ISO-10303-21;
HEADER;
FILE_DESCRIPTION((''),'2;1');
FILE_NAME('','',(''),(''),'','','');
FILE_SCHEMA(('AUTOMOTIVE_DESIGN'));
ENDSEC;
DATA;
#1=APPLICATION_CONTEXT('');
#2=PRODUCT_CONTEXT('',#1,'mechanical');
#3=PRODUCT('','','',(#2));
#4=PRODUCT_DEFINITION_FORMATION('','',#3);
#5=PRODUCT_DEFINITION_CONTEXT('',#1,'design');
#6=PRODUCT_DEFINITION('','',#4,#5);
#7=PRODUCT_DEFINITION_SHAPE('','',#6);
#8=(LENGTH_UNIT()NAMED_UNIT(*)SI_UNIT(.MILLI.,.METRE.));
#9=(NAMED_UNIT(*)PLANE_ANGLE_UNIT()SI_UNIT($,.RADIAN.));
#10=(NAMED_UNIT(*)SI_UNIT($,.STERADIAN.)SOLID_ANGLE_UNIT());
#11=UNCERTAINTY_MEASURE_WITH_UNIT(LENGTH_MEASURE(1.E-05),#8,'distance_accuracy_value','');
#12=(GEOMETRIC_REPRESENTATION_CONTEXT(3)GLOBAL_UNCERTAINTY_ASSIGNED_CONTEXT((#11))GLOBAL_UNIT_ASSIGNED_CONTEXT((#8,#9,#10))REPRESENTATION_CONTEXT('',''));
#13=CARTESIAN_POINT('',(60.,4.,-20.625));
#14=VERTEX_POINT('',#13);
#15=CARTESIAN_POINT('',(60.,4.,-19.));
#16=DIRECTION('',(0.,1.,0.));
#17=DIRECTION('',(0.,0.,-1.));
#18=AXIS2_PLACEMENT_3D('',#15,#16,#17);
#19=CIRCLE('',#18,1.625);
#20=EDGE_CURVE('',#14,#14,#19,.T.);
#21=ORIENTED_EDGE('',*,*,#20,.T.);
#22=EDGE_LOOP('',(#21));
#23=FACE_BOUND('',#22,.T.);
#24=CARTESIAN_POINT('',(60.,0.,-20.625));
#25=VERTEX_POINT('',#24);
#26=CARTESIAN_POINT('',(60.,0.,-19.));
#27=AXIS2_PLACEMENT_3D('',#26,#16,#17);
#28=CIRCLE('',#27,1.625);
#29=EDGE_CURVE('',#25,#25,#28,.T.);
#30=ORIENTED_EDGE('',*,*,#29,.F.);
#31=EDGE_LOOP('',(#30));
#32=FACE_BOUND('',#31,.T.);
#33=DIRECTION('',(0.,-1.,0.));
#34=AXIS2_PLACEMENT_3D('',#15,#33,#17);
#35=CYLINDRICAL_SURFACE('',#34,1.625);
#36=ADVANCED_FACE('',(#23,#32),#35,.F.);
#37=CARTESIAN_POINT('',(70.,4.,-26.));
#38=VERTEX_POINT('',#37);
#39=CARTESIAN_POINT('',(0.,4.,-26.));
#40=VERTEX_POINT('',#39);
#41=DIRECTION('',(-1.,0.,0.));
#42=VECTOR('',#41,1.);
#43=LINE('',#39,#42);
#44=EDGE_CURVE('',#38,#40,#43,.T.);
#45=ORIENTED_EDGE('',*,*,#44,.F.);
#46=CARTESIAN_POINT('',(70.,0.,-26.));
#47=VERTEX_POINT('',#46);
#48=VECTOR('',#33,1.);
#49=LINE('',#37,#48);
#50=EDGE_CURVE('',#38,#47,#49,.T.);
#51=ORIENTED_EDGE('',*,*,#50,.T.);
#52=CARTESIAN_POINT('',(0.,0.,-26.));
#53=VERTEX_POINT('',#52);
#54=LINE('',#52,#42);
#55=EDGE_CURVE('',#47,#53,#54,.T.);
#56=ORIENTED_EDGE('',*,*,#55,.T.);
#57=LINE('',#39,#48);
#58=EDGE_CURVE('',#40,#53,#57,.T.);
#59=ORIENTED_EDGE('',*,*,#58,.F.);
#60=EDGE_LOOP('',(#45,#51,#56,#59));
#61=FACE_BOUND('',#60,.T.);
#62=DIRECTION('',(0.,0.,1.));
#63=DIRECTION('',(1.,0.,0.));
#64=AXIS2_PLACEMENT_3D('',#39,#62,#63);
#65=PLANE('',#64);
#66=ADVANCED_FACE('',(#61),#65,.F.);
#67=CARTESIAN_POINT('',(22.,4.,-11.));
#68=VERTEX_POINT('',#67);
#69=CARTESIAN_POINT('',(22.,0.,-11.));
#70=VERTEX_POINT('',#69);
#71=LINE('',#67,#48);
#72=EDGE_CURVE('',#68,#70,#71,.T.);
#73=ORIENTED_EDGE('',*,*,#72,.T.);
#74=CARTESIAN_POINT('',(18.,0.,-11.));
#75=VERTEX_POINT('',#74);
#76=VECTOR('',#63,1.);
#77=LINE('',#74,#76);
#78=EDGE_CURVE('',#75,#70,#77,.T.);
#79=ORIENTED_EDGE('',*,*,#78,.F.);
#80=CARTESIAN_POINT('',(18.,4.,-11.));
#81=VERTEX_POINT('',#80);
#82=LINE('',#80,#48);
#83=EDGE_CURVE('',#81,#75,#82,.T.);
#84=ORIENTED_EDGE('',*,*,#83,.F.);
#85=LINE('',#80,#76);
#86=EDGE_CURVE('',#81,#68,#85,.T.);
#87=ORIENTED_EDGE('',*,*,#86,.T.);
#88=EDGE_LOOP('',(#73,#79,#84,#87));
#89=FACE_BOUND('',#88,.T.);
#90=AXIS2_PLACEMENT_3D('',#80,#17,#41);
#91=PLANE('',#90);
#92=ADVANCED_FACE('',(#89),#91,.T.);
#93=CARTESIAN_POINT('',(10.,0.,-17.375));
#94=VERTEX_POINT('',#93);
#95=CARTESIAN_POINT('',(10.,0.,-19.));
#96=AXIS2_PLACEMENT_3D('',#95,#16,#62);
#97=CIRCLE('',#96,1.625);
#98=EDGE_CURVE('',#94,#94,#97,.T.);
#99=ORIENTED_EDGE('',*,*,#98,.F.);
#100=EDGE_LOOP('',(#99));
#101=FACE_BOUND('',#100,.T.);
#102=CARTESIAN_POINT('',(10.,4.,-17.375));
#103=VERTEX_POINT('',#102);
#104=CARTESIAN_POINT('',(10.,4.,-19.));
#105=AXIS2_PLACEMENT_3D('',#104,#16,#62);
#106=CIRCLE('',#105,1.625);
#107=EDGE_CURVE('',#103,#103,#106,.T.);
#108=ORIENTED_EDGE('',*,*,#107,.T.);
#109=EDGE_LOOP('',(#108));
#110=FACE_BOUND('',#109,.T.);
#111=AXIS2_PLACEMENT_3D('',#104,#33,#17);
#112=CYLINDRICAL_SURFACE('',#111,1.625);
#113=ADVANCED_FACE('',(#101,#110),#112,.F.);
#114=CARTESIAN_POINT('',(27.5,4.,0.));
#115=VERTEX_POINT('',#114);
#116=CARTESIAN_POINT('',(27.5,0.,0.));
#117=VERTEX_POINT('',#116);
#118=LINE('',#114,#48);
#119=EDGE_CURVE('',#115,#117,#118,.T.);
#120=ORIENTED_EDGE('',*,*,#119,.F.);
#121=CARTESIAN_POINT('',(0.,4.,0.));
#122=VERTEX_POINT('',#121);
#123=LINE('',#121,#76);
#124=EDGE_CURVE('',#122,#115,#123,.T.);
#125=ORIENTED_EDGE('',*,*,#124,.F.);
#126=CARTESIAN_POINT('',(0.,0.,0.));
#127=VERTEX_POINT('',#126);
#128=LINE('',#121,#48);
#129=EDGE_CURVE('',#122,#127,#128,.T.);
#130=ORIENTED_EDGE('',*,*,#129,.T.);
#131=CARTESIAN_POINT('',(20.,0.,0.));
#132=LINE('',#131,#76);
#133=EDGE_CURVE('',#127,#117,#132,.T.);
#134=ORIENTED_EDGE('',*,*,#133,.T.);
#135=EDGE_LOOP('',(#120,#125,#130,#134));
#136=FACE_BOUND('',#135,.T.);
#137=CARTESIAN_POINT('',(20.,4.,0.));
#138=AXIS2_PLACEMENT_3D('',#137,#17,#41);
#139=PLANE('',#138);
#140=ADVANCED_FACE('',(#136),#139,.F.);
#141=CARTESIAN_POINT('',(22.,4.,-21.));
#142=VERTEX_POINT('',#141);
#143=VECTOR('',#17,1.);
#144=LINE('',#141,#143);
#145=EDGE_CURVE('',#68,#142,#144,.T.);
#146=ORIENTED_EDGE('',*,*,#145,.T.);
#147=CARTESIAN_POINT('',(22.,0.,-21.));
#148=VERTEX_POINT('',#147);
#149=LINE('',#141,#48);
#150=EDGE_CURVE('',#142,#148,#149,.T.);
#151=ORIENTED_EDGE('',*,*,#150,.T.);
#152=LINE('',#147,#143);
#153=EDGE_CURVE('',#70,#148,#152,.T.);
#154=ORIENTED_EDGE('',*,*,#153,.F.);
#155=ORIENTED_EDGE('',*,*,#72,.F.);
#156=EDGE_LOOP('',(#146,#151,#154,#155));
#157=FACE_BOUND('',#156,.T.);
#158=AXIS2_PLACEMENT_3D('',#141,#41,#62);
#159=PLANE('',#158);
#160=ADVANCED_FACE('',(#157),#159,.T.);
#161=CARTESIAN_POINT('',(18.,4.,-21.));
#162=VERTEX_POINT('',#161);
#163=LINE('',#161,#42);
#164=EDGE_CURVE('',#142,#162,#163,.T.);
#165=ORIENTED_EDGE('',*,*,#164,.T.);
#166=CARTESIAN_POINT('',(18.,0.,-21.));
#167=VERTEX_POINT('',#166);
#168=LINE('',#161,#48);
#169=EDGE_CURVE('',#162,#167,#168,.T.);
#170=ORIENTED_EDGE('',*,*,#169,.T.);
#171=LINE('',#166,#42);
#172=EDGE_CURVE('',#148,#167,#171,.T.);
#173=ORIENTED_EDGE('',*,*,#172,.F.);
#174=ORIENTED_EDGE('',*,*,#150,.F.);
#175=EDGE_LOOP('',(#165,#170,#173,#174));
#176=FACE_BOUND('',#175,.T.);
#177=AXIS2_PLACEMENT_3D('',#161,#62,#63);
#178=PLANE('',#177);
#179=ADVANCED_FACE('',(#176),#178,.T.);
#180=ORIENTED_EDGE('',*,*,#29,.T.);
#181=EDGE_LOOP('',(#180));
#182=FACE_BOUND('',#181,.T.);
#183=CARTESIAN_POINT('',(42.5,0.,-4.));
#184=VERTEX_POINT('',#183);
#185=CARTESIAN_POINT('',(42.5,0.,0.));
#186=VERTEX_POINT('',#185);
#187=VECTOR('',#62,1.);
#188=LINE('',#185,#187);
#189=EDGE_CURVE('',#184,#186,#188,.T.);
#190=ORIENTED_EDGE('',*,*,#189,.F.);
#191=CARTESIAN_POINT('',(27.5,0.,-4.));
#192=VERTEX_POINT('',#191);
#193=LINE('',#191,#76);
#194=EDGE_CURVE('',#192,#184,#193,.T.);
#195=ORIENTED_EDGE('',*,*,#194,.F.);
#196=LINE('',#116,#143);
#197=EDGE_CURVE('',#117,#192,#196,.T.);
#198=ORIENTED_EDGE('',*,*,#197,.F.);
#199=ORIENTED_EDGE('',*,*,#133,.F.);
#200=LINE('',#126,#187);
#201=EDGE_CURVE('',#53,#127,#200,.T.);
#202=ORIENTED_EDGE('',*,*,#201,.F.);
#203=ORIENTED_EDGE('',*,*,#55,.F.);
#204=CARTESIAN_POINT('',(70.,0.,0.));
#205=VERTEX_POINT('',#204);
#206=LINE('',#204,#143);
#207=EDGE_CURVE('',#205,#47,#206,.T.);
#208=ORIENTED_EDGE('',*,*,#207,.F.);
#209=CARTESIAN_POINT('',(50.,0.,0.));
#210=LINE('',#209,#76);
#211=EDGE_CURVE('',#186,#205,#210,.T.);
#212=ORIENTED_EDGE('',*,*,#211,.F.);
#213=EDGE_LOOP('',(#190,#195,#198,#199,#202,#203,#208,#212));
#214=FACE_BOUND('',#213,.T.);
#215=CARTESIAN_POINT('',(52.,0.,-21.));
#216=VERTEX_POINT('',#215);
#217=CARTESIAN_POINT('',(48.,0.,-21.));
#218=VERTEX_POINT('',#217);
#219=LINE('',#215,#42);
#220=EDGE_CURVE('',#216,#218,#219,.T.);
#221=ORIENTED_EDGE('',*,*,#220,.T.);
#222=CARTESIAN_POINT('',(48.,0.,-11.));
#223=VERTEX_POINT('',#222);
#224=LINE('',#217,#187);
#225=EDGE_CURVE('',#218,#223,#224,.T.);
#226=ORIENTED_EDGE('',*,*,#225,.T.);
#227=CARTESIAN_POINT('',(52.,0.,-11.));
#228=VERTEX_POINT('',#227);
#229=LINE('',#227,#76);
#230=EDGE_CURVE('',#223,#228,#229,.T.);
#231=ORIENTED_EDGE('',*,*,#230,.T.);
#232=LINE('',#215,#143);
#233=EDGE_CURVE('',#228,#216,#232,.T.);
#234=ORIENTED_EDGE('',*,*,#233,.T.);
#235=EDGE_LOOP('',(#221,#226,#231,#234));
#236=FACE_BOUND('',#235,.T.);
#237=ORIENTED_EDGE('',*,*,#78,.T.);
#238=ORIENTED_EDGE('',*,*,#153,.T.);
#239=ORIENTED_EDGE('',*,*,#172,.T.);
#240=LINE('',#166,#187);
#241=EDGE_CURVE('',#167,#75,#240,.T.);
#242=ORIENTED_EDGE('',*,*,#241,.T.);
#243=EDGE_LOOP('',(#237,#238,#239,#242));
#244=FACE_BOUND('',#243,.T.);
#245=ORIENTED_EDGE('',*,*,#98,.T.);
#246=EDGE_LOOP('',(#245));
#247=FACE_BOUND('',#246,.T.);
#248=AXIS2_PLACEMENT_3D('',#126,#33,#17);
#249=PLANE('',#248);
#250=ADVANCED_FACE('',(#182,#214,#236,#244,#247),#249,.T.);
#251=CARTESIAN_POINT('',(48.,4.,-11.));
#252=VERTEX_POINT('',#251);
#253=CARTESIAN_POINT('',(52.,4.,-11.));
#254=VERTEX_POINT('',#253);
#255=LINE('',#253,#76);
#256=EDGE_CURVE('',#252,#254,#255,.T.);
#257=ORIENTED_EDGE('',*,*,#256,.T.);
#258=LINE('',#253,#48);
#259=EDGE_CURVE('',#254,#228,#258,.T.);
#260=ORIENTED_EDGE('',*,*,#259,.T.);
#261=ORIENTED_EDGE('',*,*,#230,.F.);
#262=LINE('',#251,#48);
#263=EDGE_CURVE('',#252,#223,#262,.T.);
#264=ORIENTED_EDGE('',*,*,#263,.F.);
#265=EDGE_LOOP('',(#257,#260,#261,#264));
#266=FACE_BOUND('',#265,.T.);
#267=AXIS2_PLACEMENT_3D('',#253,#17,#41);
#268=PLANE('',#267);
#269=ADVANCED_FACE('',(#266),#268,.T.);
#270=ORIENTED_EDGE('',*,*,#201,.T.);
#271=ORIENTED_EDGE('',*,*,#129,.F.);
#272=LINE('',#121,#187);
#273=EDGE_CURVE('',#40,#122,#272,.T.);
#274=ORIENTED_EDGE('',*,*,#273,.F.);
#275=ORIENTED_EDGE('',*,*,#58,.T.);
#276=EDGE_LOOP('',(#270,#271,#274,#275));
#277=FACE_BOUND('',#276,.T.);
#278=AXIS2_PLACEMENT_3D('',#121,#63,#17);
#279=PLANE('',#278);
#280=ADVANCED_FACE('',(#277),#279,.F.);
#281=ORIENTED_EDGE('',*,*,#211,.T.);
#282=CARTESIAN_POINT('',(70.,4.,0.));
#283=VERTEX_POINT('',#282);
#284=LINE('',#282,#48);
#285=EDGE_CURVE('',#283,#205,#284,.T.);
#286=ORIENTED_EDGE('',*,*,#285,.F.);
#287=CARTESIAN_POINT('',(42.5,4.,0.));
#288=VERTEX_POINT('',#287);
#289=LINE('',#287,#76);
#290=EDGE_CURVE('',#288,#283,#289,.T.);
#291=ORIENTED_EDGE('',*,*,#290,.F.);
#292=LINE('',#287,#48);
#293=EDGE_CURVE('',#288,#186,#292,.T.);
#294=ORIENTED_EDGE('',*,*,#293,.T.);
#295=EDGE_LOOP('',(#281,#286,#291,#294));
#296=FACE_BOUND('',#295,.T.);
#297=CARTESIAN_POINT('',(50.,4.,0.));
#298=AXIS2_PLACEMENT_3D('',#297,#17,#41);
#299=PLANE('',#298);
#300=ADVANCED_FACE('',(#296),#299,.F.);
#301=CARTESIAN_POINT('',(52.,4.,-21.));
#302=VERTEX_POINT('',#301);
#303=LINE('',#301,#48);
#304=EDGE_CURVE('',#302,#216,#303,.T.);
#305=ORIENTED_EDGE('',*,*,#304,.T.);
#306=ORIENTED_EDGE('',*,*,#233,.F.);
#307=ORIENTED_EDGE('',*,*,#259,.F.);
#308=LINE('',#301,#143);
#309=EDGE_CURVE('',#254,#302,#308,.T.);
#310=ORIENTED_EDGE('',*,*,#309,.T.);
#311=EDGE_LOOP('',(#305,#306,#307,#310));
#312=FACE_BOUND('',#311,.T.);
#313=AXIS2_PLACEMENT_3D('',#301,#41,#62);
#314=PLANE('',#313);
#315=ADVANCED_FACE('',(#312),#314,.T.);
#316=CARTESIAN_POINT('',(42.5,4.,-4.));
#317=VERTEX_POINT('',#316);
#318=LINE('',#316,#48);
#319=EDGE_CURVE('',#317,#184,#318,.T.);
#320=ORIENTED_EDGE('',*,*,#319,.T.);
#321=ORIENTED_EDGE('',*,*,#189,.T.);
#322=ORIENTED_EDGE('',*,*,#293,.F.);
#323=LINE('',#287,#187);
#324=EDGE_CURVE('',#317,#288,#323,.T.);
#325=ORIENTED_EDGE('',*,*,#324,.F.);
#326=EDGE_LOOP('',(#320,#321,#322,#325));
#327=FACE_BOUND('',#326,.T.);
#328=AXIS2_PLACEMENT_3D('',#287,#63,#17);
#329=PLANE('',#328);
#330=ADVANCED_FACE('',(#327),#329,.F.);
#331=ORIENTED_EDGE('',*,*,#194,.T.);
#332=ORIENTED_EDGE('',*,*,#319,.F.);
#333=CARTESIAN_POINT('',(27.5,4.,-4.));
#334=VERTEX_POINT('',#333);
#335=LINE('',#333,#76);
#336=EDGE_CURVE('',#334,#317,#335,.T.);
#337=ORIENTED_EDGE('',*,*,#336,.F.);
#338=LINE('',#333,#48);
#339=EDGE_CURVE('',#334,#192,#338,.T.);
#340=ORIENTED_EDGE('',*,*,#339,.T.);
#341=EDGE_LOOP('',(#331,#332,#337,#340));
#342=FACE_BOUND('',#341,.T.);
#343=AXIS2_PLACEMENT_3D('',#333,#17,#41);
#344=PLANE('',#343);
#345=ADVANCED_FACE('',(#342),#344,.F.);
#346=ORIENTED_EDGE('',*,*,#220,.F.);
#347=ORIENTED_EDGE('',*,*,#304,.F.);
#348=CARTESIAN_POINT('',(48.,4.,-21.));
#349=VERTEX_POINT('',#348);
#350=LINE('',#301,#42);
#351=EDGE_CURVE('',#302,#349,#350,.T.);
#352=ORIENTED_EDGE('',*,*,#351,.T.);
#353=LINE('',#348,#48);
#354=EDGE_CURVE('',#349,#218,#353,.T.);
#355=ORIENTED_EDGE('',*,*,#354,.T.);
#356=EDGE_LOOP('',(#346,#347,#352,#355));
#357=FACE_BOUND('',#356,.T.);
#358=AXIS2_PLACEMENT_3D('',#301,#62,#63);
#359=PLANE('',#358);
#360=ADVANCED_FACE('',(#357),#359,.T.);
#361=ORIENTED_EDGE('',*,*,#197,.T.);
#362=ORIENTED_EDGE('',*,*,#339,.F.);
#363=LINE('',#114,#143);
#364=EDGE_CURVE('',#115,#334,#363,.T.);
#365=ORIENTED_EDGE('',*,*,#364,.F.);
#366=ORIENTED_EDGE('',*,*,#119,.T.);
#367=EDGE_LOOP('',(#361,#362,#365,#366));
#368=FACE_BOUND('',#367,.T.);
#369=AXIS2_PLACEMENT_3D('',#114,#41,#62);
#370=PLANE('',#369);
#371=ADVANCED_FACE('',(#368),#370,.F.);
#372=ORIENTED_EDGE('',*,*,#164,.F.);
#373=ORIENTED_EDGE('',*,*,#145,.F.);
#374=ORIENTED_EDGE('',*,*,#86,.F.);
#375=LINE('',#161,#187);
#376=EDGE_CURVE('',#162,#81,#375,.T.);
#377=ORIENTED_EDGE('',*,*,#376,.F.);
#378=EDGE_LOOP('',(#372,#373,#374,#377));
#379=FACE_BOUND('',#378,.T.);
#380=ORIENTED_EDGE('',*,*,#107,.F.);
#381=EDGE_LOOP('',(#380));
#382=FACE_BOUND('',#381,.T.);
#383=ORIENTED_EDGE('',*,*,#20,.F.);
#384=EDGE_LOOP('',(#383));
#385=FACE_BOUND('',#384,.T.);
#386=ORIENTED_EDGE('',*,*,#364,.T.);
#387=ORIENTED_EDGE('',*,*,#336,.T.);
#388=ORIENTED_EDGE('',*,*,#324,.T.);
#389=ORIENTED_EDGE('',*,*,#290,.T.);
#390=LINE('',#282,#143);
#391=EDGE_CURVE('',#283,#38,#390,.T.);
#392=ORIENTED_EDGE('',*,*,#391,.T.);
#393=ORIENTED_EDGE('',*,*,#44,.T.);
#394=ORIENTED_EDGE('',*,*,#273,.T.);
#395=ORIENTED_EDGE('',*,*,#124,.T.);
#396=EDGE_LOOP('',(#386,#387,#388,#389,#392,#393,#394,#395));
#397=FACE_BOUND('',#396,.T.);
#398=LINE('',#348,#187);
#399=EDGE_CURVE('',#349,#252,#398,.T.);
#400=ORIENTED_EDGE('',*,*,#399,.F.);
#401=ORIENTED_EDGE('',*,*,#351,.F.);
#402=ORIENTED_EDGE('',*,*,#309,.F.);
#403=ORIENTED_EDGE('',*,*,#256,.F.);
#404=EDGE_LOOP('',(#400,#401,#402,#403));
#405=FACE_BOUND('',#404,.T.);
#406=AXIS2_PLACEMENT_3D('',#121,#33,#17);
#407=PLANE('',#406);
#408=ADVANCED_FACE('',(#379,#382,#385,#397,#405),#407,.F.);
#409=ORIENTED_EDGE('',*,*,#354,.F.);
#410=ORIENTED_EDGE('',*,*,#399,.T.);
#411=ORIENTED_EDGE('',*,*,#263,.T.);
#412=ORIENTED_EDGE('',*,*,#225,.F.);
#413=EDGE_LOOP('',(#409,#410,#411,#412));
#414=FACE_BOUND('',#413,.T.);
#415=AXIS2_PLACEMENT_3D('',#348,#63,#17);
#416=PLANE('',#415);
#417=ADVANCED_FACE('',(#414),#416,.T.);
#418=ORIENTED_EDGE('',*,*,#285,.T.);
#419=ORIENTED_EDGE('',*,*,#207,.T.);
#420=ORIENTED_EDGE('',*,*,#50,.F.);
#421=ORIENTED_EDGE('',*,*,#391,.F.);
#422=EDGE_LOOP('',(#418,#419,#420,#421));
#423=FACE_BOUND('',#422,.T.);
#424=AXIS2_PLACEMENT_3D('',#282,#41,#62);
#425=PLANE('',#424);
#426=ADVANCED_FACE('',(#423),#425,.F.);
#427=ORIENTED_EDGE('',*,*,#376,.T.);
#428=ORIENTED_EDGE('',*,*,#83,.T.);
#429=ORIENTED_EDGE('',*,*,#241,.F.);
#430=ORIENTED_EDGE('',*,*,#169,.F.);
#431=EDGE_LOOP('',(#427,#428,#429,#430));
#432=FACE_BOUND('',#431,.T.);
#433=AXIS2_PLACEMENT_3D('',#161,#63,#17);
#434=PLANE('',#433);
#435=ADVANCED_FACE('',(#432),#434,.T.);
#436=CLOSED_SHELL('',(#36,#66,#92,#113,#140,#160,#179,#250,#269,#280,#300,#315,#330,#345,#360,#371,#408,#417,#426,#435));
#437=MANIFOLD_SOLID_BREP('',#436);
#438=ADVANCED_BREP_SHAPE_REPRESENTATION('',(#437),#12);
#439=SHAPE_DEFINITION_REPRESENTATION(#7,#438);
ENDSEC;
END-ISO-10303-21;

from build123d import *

# Parameters (mm, degrees)
SKETCH1_R           = 1.625
SKETCH1_W           = 4
SKETCH1_H           = 10
BOSS_EXTRUDE1_DEPTH = 4


with BuildPart() as part:
    # Sketch1 → Boss-Extrude1 (new body)
    with BuildSketch(Plane(origin=(0, 0, 0), x_dir=(1, 0, 0), z_dir=(0, 1, 0))):
        Polygon((0, 0), (20, 0), (27.5, 0), (27.5, 4), (42.5, 4), (42.5, 0), (50, 0), (70, 0), (70, 26), (0, 26), align=None)
        with Locations((10, 19)):
            Circle(SKETCH1_R, mode=Mode.SUBTRACT)
        with Locations((60, 19)):
            Circle(SKETCH1_R, mode=Mode.SUBTRACT)
        with Locations((20, 16)):
            Rectangle(SKETCH1_W, SKETCH1_H, mode=Mode.SUBTRACT)
        with Locations((50, 16)):
            Rectangle(SKETCH1_W, SKETCH1_H, mode=Mode.SUBTRACT)
    extrude(amount=BOSS_EXTRUDE1_DEPTH)


solid = part.part
